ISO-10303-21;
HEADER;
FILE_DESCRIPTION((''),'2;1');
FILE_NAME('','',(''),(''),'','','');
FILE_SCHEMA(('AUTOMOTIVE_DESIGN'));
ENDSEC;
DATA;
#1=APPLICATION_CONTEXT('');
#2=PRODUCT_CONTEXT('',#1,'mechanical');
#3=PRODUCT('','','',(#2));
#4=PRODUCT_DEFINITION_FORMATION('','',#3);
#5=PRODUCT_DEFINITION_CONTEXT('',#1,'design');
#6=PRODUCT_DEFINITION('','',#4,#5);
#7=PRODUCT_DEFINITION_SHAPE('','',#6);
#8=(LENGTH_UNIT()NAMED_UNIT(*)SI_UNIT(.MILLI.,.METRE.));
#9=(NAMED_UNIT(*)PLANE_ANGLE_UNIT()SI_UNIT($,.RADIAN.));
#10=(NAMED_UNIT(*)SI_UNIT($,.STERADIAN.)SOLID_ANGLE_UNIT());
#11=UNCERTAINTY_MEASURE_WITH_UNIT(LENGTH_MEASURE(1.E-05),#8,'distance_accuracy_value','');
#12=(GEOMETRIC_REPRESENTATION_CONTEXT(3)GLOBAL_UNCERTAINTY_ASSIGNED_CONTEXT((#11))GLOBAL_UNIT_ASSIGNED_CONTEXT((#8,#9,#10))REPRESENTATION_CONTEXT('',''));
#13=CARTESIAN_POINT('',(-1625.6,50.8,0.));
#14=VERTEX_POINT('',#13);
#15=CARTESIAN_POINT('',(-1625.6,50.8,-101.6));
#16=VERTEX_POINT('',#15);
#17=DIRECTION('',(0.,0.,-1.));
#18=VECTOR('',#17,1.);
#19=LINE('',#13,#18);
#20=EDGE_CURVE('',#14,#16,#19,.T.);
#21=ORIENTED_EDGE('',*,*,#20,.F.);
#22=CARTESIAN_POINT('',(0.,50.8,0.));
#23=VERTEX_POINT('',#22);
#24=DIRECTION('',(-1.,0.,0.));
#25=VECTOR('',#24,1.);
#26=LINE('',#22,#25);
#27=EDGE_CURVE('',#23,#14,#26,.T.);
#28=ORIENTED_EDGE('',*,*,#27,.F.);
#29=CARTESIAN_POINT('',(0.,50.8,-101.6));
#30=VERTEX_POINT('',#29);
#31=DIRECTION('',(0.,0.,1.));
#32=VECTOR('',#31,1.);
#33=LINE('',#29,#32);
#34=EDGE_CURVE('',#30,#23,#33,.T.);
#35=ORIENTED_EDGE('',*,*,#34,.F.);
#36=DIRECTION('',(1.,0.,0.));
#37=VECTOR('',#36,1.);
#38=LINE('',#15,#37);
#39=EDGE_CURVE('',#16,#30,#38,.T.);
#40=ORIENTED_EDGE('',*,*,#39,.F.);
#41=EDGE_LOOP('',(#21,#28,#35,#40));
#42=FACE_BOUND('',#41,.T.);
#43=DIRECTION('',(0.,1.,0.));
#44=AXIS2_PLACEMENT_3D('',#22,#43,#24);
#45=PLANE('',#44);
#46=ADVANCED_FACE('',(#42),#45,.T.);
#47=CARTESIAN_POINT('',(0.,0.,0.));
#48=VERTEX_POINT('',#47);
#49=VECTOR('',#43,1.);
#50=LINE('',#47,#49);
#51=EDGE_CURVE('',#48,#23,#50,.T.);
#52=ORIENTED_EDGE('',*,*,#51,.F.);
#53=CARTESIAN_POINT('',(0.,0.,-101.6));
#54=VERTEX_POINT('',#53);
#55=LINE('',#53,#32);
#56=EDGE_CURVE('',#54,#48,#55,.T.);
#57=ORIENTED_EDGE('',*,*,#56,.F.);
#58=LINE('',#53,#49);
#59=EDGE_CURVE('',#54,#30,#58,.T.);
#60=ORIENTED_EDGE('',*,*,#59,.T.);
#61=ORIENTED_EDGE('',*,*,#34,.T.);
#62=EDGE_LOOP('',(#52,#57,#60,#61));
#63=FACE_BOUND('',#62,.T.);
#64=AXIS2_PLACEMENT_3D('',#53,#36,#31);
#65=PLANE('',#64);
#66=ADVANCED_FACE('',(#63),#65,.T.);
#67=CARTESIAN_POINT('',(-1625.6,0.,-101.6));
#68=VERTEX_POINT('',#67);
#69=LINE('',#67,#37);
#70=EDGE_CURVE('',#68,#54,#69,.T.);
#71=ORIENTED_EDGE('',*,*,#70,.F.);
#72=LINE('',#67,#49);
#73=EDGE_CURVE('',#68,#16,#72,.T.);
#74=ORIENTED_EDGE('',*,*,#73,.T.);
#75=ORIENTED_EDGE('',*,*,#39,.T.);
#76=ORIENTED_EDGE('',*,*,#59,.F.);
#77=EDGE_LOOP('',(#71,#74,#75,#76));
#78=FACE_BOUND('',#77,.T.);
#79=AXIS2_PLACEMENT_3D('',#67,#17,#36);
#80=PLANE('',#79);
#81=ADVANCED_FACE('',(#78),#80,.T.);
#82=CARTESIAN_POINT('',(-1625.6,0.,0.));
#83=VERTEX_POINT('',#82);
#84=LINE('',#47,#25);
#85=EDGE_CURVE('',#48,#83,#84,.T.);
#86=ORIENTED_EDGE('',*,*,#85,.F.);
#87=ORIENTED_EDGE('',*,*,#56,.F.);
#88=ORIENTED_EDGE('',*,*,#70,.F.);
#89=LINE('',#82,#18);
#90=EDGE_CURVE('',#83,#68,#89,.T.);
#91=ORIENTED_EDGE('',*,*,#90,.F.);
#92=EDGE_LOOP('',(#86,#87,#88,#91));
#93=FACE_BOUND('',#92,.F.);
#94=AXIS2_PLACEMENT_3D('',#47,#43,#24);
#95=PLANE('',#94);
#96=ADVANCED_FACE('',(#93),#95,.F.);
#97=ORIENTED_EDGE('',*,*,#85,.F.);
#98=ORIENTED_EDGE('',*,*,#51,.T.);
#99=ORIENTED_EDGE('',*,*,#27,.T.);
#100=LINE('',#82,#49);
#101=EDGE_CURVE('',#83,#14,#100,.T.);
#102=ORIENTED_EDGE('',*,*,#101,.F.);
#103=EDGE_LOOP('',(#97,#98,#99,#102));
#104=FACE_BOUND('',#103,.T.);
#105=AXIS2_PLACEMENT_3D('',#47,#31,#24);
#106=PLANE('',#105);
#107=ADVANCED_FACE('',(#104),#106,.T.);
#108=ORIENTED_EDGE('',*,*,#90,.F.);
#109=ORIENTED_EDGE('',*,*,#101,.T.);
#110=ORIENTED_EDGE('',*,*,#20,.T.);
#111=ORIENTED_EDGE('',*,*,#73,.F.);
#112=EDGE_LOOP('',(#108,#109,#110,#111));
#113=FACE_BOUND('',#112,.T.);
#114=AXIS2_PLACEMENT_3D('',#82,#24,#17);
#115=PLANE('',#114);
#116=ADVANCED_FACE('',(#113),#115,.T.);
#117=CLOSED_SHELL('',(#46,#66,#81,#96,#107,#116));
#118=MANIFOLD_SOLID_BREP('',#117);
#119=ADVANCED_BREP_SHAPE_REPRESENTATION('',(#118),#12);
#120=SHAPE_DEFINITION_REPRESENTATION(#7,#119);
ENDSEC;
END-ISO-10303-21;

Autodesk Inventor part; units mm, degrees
ref_plane "YZ Plane" through (0, 0, 0) normal (1, 0, 0) x (0, 1, 0)
ref_plane "XZ Plane" through (0, 0, 0) normal (0, 1, 0) x (-1, 0, 0)
ref_plane "XY Plane" through (0, 0, 0) normal (0, 0, 1) x (1, 0, 0)
sketch "Sketch1" plane through (0, 0, 0) normal (0, 1, 0) x (-1, 0, 0)
  line L0 (0, 0) -> (1625.6, 0)
  line L1 (1625.6, 0) -> (1625.6, -101.6)
  line L2 (1625.6, -101.6) -> (0, -101.6)
  line L3 (0, -101.6) -> (0, 0)
  dimension "d0" = 1625.6
  dimension "d1" = 101.6
extrude "Extrusion1" add sketch "Sketch1" along normal blind 50.8
properties part number "2x4x64"
